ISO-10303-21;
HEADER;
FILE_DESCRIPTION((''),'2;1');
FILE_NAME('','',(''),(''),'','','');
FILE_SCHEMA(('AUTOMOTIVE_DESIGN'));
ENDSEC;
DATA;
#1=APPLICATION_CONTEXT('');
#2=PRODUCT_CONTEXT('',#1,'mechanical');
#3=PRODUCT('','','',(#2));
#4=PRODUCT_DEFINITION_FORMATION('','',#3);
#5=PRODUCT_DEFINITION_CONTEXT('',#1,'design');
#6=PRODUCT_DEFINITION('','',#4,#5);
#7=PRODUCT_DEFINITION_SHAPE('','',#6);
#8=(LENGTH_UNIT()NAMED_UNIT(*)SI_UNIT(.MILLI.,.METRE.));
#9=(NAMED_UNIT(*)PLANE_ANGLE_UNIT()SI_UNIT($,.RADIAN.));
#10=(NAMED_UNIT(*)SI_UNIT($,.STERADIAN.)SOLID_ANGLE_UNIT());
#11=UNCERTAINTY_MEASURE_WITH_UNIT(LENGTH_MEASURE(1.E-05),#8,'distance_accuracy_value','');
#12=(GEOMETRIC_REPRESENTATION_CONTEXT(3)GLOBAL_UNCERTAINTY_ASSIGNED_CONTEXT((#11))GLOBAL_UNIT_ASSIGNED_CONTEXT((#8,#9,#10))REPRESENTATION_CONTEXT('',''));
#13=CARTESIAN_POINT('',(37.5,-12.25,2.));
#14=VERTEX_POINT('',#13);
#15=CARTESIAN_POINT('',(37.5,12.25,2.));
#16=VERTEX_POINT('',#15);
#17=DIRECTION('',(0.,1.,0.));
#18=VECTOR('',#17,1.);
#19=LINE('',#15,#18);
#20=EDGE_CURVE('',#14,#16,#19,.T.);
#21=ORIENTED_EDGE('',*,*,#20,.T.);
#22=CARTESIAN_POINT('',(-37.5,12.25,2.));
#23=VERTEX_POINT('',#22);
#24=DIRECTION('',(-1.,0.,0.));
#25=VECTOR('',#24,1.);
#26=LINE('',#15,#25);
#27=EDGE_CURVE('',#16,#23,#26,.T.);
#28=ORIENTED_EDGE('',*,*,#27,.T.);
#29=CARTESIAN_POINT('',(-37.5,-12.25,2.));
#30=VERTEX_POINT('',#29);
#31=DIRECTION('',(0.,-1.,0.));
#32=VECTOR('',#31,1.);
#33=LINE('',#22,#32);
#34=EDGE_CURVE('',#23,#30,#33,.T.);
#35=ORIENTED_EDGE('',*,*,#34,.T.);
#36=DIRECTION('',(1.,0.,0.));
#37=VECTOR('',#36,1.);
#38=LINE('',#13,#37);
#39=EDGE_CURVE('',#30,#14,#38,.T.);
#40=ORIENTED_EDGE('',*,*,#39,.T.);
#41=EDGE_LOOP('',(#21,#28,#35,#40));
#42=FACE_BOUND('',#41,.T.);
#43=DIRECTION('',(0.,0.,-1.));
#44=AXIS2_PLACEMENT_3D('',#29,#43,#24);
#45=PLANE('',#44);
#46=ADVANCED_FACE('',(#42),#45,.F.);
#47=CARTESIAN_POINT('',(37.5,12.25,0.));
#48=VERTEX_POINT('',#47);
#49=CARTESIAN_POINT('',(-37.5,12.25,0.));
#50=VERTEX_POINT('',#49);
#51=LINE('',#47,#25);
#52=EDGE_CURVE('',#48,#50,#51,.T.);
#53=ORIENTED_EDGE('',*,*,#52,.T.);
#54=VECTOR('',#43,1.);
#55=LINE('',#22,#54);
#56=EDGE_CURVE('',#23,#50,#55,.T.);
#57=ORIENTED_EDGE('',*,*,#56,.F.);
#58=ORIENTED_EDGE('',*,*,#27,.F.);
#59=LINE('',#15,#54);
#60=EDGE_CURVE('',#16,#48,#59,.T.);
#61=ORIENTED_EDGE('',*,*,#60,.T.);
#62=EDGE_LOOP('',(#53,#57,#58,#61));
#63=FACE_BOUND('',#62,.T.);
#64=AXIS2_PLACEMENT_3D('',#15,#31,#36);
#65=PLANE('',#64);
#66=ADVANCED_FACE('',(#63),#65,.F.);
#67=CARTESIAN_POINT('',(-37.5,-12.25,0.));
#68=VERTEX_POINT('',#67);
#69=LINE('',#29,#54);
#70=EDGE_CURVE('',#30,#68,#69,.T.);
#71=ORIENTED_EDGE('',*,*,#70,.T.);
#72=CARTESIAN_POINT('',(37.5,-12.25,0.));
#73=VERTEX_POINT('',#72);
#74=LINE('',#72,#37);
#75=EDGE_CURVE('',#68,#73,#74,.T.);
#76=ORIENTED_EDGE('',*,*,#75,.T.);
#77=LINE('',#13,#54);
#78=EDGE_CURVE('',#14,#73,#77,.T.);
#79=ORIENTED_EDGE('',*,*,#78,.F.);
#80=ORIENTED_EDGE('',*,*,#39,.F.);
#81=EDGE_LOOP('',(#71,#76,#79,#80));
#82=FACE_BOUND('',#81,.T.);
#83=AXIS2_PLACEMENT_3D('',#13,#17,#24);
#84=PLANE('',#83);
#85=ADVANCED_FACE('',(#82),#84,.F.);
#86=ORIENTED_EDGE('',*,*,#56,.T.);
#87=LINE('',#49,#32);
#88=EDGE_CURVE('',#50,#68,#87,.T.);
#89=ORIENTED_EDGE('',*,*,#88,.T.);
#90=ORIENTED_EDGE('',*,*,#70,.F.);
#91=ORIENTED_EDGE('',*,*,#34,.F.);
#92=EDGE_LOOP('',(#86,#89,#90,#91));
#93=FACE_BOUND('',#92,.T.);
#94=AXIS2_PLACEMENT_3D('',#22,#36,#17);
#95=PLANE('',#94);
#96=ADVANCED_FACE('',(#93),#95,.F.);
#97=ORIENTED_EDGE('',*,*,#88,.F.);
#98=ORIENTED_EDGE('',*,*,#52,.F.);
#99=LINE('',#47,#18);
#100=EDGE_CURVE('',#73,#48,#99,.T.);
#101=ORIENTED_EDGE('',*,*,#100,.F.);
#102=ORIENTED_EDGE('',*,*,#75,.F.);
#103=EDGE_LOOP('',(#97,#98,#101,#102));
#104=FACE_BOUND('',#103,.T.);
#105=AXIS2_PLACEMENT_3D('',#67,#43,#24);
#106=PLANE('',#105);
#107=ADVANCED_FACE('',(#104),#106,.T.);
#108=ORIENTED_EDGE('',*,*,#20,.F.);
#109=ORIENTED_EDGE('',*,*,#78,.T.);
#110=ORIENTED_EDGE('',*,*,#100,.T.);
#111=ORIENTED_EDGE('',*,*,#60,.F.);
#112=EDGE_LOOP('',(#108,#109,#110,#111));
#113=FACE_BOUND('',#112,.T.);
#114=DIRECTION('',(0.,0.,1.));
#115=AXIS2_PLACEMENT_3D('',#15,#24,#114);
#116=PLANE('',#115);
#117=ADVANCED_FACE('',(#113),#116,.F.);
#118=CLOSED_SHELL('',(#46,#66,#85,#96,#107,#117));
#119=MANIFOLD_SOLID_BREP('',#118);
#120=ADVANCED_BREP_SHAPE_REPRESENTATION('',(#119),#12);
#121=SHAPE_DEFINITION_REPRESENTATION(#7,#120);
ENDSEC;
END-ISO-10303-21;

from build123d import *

# Parameters (mm, degrees)
CROQUIS1_W              = 75
CROQUIS1_H              = 24.5
SALIENTE_EXTRUIR1_DEPTH = 2


with BuildPart() as part:
    # Croquis1 → Saliente-Extruir1 (new body)
    with BuildSketch(Plane.XY):
        Rectangle(CROQUIS1_W, CROQUIS1_H)
    extrude(amount=SALIENTE_EXTRUIR1_DEPTH)


solid = part.part
